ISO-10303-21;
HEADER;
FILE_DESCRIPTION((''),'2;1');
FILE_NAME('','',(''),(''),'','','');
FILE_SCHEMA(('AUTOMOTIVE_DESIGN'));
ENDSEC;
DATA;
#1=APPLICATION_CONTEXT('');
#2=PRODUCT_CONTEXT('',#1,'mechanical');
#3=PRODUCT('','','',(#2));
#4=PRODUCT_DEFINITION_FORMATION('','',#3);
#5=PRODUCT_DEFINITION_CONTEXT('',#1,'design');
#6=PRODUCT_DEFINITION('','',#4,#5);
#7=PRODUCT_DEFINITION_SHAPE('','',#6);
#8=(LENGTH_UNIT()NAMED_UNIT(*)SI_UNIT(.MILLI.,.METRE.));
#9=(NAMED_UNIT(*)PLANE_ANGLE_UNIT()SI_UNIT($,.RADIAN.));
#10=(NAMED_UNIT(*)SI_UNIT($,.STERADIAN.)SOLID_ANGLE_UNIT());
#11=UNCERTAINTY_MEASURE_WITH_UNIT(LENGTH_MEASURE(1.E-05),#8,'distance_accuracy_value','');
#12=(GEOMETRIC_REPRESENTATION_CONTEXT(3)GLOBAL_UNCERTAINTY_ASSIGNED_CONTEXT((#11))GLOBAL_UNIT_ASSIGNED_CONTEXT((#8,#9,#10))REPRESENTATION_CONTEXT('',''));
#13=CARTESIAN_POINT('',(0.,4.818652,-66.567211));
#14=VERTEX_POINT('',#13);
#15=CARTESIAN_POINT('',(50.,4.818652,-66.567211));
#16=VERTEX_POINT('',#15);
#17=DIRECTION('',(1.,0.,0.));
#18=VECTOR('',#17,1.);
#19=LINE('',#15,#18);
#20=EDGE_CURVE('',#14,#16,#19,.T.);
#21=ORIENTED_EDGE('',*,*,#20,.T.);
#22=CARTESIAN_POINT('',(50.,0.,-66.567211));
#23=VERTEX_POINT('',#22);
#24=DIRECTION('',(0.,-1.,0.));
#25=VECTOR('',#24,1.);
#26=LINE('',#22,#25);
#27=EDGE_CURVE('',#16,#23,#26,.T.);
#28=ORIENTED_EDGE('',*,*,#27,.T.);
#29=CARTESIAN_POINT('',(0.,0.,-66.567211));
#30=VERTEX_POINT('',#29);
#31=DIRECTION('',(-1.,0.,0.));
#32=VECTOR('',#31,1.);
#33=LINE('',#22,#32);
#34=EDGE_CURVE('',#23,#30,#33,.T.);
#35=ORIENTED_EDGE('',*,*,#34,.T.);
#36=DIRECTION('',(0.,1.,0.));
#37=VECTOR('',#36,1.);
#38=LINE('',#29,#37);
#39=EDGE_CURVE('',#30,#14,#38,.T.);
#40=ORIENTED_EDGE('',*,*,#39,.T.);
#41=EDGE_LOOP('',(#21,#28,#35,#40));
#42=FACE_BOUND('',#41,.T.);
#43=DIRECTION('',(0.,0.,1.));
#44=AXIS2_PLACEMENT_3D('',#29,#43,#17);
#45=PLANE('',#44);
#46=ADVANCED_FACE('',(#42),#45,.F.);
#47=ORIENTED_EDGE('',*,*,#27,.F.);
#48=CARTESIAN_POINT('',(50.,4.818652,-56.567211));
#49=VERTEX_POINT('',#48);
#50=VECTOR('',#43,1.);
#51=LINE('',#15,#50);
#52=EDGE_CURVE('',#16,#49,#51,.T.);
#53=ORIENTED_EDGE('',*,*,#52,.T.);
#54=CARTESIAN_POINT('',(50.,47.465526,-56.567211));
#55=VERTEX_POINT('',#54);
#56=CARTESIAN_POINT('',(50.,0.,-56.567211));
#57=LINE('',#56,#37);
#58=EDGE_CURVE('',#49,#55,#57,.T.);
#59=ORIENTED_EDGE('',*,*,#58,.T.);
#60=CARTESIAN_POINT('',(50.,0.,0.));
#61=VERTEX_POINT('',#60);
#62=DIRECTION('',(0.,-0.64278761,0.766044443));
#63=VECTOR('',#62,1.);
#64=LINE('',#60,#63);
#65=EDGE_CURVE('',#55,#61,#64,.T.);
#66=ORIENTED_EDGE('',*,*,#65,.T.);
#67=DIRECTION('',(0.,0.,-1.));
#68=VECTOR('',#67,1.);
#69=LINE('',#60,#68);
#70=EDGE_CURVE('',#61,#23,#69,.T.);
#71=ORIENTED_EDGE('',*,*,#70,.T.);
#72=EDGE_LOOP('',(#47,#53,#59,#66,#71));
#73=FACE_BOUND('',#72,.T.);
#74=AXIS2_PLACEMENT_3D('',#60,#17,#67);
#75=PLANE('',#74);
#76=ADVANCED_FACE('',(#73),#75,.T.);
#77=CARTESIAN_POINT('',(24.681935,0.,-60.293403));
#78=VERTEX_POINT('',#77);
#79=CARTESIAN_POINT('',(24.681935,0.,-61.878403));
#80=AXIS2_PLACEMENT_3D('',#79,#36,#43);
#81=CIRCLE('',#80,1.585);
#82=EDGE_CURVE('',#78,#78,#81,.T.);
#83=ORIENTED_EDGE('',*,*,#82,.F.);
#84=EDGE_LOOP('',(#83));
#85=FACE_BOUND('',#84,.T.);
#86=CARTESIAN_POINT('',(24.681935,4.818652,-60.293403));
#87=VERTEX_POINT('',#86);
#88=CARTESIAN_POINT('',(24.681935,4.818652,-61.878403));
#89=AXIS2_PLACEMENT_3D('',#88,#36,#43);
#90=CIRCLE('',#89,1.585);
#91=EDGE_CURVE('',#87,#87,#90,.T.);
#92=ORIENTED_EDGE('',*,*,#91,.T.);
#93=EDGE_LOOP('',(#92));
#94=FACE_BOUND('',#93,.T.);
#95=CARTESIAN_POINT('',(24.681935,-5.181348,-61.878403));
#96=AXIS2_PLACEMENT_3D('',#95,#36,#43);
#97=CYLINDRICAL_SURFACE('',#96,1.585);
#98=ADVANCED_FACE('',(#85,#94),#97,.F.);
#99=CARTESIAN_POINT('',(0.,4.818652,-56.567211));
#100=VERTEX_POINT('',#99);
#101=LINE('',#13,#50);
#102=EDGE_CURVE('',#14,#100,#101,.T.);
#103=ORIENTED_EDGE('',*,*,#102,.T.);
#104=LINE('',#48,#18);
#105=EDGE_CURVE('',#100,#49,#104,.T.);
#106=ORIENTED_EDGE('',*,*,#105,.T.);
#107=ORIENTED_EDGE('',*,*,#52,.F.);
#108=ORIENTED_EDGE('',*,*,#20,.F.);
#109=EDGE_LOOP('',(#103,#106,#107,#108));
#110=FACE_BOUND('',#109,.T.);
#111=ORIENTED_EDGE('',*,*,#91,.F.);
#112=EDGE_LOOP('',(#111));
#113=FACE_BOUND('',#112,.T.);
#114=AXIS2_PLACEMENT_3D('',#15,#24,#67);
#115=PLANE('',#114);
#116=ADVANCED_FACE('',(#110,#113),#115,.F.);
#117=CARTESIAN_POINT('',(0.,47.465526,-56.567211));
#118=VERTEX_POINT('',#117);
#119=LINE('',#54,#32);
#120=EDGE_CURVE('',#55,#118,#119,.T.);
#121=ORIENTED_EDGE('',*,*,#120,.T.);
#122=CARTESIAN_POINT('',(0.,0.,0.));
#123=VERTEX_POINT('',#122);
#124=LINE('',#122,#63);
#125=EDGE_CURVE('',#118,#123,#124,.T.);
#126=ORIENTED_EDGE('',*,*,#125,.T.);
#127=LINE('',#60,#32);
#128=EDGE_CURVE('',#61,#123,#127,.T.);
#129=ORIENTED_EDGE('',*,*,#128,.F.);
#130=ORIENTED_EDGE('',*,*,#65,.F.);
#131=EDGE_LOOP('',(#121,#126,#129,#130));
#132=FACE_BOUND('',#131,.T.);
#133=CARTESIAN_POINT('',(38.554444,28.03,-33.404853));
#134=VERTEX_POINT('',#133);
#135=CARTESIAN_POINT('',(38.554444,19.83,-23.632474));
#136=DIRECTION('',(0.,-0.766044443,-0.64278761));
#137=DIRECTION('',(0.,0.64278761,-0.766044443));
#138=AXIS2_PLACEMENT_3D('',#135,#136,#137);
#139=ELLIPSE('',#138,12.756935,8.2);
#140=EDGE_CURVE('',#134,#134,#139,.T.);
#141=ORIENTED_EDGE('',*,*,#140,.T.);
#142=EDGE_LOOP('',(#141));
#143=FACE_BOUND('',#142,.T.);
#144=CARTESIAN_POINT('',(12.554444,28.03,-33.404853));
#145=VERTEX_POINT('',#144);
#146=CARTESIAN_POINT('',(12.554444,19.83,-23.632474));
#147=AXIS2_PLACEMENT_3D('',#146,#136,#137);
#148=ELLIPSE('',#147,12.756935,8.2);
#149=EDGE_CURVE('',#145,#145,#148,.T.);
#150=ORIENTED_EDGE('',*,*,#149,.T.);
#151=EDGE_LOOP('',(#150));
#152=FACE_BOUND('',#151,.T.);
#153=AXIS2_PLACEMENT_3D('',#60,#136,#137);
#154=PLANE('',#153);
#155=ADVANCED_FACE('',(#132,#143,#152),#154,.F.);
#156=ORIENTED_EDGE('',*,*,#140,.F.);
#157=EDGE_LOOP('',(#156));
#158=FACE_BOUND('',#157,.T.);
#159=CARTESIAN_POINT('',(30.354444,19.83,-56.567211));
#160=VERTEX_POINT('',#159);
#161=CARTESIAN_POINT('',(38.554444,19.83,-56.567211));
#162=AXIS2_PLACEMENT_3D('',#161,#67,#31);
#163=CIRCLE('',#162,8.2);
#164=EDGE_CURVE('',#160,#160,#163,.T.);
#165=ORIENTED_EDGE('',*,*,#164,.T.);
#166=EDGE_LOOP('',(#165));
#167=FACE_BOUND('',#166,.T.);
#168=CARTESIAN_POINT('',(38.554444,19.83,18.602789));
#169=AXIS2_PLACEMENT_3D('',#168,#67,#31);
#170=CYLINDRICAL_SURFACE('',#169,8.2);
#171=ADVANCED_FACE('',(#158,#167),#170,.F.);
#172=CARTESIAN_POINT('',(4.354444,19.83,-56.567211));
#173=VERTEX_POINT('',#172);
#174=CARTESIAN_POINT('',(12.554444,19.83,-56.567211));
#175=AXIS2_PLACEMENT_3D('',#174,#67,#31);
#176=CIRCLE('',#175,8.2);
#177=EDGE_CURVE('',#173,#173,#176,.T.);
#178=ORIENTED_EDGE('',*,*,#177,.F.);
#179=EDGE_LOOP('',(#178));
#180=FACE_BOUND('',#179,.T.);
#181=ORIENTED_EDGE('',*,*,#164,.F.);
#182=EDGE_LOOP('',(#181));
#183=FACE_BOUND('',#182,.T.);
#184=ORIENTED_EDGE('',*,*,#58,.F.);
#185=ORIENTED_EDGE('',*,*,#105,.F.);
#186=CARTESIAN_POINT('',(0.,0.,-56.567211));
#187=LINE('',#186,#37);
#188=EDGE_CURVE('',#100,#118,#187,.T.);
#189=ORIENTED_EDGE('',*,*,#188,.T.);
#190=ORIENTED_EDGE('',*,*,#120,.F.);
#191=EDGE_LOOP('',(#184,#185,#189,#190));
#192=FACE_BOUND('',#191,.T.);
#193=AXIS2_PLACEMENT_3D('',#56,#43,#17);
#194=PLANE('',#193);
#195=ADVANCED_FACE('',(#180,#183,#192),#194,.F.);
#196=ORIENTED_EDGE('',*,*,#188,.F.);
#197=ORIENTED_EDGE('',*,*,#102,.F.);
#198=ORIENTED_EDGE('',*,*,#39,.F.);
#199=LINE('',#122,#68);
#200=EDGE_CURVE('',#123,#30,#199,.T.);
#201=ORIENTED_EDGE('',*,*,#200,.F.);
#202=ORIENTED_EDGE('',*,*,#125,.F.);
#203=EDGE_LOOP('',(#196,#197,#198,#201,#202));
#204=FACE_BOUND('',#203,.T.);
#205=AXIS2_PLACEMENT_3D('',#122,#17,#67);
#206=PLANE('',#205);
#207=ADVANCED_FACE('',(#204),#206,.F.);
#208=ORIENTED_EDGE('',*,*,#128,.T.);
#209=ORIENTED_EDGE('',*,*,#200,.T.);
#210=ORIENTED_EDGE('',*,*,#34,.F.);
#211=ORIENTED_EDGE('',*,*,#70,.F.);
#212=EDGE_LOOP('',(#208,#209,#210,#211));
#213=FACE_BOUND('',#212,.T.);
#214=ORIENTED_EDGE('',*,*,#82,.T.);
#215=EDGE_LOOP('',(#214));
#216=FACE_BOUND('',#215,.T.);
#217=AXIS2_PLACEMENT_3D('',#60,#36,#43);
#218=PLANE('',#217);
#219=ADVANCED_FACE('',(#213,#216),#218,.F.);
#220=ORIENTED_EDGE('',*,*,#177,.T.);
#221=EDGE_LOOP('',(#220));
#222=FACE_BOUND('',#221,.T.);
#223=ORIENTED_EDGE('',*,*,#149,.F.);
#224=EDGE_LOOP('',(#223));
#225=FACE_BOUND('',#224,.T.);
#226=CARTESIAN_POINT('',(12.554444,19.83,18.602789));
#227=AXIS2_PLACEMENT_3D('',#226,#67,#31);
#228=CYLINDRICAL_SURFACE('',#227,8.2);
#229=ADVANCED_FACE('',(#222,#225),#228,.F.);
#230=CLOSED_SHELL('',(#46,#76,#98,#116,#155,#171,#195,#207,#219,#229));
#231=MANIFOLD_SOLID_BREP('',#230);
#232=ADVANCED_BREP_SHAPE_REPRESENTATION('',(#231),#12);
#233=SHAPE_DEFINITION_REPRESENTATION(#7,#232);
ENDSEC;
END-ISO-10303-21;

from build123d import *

# Parameters (mm, degrees)
BOSS_EXTRUDE1_DEPTH = 50
SKETCH6_R           = 8.2
CUT_EXTRUDE5_DEPTH  = 75.17
SKETCH7_W           = 50
SKETCH7_H           = 4.818652416
BOSS_EXTRUDE3_DEPTH = 10
SKETCH8_R           = 1.585
CUT_EXTRUDE6_DEPTH  = 10


with BuildPart() as part:
    # Sketch1 → Boss-Extrude1 (new body)
    with BuildSketch(Plane(origin=(0, 0, 0), x_dir=(0, 0, -1), z_dir=(1, 0, 0))):
        Polygon((0, 0), (56.567210857, 0), (56.567210857, 47.465525767), align=None)
    extrude(amount=BOSS_EXTRUDE1_DEPTH)

    # Sketch6 → Cut-Extrude5 (cut)
    with BuildSketch(Plane(origin=(0, 0, -56.567210857), x_dir=(-1, 0, 0), z_dir=(0, 0, -1))):
        with Locations((-38.554443975, 19.83)):
            Circle(SKETCH6_R)
        with Locations((-12.554443975, 19.83)):
            Circle(SKETCH6_R)
    extrude(amount=-CUT_EXTRUDE5_DEPTH, mode=Mode.SUBTRACT)

    # Sketch7 → Boss-Extrude3 (add)
    with BuildSketch(Plane(origin=(0, 0, -56.567210857), x_dir=(-1, 0, 0), z_dir=(0, 0, -1))):
        with Locations((-25, 2.409326208)):
            Rectangle(SKETCH7_W, SKETCH7_H)
    extrude(amount=BOSS_EXTRUDE3_DEPTH)

    # Sketch8 → Cut-Extrude6 (cut)
    with BuildSketch(Plane(origin=(0, 4.818652416, 0), x_dir=(1, 0, 0), z_dir=(0, 1, 0))):
        with Locations(Location((24.681935477, 61.878402744, 0), (0, 0, 270))):
            Circle(SKETCH8_R)
    extrude(amount=-CUT_EXTRUDE6_DEPTH, mode=Mode.SUBTRACT)


solid = part.part
